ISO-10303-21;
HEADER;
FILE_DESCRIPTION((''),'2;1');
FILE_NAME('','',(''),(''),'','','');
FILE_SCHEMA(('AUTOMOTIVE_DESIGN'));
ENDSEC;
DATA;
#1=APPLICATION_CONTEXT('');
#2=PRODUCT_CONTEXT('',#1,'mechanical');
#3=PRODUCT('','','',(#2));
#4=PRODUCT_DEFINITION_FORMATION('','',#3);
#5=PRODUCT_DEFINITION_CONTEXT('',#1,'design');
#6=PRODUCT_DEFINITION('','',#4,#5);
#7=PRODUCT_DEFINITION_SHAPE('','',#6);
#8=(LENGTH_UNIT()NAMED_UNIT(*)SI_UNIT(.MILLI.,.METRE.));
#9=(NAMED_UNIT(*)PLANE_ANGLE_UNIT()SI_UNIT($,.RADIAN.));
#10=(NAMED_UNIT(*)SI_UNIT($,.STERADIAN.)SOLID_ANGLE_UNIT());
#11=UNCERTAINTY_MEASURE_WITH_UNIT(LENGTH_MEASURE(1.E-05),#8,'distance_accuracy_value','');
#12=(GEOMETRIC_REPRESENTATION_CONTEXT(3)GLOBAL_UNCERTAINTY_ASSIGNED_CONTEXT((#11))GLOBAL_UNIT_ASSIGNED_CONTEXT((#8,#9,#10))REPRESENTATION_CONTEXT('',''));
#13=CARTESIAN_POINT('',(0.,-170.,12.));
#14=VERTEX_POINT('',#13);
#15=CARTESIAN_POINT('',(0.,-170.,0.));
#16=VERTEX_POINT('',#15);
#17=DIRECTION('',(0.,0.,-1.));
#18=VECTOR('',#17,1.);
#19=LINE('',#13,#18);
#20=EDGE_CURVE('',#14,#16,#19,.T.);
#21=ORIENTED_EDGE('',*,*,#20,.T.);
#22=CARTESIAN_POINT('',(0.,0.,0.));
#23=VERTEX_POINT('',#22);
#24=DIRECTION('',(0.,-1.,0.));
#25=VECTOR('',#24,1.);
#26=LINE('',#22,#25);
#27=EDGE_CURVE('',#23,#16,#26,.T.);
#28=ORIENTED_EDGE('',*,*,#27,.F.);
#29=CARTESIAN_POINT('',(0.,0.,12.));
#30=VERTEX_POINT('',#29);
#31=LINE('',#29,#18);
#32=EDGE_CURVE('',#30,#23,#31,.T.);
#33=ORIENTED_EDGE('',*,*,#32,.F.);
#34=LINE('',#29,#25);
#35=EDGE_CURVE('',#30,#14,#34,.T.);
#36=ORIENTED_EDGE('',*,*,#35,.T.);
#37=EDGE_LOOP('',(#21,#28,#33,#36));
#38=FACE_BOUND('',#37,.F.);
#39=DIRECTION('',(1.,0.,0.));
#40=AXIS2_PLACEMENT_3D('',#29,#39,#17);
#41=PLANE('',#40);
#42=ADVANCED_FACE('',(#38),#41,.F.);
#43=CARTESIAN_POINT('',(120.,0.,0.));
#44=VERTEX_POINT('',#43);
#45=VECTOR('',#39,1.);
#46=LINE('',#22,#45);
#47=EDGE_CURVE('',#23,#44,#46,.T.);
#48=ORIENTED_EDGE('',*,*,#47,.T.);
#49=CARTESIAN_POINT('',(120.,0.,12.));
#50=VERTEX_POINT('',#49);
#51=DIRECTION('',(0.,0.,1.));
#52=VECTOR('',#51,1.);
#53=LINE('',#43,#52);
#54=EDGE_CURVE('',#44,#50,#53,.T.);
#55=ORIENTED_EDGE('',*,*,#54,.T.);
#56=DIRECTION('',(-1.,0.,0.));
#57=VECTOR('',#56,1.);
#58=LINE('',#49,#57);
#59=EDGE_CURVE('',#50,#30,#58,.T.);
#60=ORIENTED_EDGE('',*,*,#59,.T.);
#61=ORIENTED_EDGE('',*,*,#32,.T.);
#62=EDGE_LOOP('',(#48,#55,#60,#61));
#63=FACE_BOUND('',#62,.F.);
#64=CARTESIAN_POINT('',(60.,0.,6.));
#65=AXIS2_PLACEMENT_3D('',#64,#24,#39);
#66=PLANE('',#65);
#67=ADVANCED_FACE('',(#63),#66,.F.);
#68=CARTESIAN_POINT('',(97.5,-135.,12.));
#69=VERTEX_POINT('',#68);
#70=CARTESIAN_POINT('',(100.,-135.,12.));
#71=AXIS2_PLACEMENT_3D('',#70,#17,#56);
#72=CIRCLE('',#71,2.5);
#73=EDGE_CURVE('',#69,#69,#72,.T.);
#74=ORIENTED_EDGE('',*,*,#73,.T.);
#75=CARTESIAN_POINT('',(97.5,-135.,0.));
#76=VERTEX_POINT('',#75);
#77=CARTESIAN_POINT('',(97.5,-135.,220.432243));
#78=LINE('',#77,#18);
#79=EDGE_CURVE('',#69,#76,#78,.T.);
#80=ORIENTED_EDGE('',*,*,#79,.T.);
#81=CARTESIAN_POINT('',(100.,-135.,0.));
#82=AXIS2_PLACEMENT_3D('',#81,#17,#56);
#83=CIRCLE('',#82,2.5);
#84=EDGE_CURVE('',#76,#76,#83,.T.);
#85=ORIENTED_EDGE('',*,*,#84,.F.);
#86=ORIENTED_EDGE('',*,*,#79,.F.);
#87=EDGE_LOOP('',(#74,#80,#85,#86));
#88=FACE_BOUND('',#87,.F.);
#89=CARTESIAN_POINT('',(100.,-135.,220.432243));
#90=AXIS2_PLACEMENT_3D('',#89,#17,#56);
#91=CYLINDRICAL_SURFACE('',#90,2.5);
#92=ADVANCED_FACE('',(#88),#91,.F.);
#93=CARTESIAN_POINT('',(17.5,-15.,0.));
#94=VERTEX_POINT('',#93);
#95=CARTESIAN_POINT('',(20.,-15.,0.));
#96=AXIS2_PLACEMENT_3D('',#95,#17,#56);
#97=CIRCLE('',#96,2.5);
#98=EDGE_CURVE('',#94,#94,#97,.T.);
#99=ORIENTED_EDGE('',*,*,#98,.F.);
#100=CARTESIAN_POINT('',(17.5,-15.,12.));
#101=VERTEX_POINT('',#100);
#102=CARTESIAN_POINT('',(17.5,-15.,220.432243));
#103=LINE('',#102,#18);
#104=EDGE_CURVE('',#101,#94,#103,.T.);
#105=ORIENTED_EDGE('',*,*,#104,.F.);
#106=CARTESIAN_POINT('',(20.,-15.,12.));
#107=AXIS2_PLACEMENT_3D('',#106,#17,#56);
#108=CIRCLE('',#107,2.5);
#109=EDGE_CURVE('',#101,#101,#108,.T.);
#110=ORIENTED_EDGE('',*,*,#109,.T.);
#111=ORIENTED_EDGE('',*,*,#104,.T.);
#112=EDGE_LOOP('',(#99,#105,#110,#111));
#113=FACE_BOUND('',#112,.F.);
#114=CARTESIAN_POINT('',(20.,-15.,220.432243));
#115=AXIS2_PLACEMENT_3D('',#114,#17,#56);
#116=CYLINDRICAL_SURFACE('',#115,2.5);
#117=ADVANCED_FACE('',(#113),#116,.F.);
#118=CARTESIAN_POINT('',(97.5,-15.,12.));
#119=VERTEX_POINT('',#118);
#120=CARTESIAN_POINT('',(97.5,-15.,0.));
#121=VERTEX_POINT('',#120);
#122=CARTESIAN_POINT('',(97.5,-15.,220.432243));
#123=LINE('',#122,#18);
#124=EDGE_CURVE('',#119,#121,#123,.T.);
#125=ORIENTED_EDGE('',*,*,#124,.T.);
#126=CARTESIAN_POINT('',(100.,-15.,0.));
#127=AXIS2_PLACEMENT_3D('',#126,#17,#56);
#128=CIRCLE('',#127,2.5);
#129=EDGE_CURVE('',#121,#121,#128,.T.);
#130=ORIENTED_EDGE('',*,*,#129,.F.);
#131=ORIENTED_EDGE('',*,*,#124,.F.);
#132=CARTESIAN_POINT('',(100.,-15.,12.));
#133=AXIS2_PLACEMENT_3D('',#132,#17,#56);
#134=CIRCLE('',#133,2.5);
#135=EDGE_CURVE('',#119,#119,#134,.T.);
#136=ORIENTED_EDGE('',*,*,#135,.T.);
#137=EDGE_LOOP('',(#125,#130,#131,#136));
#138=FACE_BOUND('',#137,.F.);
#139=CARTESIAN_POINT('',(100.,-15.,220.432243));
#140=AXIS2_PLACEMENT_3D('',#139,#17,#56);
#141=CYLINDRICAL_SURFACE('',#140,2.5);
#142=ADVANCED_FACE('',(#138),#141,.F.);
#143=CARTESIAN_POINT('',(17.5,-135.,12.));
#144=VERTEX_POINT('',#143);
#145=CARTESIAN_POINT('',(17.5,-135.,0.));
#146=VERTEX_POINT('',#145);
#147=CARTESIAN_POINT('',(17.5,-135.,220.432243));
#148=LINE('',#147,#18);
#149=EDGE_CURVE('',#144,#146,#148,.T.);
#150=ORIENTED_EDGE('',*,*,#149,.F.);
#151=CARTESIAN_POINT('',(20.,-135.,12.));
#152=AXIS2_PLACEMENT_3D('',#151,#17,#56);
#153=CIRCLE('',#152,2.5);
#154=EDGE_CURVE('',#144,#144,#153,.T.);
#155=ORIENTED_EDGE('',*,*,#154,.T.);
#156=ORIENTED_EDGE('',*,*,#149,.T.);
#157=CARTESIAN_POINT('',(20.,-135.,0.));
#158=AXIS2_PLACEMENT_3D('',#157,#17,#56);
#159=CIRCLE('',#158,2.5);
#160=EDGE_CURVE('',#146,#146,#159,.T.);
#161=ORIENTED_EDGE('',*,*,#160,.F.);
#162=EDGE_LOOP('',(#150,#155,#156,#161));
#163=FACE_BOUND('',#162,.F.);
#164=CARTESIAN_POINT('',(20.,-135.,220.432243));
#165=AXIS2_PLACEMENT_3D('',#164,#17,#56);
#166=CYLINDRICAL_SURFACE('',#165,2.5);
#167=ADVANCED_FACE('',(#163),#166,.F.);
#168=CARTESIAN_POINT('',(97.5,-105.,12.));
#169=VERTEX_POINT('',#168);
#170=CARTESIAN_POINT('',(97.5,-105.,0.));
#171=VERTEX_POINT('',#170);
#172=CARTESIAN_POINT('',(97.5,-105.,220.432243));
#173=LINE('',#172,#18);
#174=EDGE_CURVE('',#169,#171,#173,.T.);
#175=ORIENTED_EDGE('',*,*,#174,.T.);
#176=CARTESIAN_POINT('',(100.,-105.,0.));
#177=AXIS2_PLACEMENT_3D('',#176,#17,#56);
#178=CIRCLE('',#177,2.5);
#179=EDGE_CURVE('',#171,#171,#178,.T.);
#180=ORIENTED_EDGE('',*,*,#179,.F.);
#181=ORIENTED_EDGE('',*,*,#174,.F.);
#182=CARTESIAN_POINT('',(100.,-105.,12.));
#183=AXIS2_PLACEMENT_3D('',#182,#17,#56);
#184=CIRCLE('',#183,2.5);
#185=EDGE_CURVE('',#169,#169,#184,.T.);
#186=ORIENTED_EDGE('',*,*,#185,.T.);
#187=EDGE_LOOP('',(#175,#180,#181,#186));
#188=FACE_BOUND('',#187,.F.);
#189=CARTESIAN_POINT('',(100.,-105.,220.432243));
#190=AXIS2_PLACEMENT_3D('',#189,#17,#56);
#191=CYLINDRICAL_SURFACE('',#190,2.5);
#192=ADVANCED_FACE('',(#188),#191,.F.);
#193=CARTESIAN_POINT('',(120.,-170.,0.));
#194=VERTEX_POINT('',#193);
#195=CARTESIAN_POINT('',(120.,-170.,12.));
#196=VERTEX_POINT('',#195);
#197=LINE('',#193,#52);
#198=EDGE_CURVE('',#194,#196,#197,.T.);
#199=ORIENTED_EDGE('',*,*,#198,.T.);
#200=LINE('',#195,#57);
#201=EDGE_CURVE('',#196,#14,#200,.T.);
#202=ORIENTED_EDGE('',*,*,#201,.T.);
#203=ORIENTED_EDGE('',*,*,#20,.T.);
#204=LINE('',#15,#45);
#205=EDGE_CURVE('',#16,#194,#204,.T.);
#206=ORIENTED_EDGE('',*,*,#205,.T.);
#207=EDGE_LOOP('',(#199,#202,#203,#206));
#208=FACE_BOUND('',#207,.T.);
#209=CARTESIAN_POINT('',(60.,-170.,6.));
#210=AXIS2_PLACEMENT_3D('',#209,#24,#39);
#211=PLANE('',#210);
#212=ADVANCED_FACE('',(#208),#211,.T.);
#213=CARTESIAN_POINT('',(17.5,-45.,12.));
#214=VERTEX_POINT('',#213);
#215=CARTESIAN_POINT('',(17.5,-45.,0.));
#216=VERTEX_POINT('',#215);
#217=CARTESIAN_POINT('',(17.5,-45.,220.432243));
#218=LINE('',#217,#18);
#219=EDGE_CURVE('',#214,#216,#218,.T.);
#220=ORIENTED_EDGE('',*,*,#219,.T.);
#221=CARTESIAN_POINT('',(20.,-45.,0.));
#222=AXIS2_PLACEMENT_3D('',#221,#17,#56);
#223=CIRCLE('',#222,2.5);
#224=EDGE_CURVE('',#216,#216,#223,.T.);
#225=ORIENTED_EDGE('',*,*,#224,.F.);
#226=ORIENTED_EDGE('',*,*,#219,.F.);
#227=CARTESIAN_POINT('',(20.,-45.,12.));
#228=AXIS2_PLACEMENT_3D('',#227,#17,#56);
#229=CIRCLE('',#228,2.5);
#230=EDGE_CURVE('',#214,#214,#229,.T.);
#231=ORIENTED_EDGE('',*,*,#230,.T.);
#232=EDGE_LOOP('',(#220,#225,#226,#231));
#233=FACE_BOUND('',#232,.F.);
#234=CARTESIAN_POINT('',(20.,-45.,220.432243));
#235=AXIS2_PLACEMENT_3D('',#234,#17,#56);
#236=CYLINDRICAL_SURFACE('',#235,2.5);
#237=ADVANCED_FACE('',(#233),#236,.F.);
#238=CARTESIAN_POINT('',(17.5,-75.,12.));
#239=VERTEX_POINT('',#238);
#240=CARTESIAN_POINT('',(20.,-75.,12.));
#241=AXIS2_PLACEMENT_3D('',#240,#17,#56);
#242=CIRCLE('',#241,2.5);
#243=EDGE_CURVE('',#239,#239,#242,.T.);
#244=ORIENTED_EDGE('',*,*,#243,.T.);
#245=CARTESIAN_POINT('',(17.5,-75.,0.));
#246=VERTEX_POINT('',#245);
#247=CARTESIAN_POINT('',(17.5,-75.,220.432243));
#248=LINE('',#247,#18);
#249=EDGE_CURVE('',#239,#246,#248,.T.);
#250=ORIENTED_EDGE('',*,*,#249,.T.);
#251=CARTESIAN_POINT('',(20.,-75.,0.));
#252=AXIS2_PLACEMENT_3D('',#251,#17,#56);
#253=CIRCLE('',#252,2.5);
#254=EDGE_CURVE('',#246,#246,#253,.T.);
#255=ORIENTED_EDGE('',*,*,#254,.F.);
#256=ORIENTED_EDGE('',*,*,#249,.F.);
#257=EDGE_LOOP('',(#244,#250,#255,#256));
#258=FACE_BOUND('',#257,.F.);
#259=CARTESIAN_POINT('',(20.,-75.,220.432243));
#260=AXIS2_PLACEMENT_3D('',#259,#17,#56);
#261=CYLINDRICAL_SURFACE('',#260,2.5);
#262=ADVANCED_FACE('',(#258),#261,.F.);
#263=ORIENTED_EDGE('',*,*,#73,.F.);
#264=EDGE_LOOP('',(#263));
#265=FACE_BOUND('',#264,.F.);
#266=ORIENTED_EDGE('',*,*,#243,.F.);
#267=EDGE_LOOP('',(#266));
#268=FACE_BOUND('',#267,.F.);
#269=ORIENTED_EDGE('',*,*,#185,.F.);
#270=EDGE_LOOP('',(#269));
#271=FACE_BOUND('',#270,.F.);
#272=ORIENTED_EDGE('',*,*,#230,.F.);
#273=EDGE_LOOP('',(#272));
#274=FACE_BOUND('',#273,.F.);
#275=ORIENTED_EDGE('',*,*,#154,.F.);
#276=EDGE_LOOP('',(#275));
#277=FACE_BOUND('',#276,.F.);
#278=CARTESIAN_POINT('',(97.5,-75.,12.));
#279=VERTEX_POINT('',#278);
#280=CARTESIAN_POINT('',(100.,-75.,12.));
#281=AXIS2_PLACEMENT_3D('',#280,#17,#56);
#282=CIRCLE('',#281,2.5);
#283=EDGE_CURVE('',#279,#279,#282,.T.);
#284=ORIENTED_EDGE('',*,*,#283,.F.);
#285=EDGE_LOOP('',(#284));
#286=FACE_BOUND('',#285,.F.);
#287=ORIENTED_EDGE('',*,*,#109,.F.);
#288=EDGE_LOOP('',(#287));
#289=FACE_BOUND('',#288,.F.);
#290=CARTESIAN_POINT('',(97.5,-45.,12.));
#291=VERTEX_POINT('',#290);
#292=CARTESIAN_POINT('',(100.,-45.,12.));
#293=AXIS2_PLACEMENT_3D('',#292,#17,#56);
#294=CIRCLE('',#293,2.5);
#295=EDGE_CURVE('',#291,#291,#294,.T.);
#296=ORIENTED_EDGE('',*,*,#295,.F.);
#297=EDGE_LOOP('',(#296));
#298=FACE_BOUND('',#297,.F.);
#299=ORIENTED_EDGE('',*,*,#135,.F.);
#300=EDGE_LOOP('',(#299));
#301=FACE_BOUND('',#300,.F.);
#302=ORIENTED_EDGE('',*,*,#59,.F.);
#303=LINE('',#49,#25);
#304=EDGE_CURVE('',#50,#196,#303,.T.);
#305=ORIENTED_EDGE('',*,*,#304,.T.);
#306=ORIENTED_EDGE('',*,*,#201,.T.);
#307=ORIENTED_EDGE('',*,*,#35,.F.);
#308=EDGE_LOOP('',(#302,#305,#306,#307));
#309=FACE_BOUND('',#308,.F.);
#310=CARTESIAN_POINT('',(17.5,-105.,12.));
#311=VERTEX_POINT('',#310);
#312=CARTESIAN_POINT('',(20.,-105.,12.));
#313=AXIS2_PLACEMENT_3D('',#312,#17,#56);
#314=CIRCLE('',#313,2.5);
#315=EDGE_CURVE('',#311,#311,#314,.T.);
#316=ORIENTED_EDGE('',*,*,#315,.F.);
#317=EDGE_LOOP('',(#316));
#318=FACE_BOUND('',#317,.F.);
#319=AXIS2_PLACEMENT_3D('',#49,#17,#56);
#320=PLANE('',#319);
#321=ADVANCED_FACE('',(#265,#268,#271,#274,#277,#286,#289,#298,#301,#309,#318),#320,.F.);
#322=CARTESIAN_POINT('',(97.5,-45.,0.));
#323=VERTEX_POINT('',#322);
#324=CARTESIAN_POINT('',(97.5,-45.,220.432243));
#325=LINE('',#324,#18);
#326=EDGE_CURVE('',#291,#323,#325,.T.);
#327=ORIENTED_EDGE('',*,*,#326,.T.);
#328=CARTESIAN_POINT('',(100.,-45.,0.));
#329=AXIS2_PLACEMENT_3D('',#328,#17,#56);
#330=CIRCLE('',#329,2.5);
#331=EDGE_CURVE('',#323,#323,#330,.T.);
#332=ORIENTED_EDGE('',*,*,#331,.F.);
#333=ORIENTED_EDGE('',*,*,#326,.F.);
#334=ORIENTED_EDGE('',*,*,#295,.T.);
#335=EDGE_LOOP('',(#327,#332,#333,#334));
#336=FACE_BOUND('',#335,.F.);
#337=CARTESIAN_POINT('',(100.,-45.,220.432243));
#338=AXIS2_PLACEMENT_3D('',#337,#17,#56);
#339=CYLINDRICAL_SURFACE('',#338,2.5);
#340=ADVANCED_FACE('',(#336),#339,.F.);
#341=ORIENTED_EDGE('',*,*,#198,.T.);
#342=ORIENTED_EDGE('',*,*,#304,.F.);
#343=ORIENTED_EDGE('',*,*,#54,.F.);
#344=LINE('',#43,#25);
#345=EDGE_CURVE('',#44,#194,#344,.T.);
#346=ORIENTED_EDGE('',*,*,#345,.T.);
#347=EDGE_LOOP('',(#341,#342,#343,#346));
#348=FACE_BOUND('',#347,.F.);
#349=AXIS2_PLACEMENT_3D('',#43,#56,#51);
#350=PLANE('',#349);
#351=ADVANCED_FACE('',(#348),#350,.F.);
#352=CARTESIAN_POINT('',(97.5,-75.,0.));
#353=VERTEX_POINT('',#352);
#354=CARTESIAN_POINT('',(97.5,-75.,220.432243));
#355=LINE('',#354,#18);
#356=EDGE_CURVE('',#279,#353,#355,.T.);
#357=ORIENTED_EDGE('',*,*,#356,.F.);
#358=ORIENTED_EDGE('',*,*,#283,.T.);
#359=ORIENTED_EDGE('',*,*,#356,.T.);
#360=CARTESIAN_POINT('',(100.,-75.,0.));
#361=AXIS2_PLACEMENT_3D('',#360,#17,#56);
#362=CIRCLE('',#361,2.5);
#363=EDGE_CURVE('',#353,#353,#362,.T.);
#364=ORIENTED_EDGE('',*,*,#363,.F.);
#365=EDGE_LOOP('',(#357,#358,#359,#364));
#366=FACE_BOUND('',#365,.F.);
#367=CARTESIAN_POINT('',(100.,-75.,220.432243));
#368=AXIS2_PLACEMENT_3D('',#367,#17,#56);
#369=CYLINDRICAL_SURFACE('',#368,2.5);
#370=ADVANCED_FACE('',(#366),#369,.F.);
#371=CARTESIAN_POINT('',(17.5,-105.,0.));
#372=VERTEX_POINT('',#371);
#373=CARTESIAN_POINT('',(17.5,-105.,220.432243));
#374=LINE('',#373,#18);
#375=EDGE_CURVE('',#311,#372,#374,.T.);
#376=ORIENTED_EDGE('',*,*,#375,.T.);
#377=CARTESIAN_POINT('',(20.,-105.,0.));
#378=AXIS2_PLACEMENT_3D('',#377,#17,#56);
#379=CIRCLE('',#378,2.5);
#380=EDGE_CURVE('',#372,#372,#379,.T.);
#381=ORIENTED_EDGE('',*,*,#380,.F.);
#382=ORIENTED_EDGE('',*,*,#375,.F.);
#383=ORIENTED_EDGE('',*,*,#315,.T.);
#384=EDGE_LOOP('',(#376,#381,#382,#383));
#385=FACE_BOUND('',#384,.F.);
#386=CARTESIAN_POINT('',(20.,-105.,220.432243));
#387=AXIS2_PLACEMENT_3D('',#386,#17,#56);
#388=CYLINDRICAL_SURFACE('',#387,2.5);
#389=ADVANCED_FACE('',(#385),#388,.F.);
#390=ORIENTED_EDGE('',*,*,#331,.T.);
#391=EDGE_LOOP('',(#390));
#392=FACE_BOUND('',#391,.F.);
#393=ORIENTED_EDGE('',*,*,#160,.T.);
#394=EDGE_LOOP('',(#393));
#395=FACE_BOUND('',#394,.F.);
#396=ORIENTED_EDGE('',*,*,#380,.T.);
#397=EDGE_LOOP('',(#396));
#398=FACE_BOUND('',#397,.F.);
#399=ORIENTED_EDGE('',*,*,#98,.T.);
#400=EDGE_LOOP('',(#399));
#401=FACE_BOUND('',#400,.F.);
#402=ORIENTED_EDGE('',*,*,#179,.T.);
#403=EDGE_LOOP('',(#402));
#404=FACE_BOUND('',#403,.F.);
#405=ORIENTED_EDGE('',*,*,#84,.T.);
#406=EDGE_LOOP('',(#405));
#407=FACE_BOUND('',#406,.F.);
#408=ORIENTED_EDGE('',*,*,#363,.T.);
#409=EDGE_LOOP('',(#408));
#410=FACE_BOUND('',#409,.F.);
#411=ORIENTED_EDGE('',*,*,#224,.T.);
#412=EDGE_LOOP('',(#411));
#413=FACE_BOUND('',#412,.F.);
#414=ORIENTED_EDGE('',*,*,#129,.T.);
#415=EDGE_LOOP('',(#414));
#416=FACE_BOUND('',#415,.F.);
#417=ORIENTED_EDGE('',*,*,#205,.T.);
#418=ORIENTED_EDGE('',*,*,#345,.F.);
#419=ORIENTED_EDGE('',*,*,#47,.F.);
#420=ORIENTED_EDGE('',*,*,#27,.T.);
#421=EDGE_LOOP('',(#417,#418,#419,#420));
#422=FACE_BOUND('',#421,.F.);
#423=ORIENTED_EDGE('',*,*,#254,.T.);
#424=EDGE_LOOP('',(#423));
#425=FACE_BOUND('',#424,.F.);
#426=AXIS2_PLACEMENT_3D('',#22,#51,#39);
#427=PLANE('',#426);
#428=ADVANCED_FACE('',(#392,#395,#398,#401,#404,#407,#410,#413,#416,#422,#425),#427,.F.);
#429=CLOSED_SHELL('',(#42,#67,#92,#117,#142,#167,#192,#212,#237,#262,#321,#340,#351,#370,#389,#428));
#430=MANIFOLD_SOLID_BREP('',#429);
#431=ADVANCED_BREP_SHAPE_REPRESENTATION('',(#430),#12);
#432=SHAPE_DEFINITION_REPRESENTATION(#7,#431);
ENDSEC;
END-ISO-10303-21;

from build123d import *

# Parameters (mm, degrees)
F1_DEPTH = 170
F3_D     = 5
F5_D     = 5


with BuildPart() as f1:
    # F0 (on Front) → F1 (new body)
    with BuildSketch(Plane.XZ):
        Polygon((0, 12), (0, 0), (120, 0), (120, 12), (66.9767542527, 12), align=None)
    extrude(amount=F1_DEPTH)

    # F3 (through all)
    with Locations(Plane.XY.offset(12)):
        with Locations((20, -15), (20, -45), (20, -75), (20, -105), (20, -135)):
            Hole(F3_D / 2)

    # F5 (through all)
    with Locations(Plane.XY.offset(12)):
        with Locations((100, -15), (100, -45), (100, -75), (100, -105), (100, -135)):
            Hole(F5_D / 2)


solid = f1.part
